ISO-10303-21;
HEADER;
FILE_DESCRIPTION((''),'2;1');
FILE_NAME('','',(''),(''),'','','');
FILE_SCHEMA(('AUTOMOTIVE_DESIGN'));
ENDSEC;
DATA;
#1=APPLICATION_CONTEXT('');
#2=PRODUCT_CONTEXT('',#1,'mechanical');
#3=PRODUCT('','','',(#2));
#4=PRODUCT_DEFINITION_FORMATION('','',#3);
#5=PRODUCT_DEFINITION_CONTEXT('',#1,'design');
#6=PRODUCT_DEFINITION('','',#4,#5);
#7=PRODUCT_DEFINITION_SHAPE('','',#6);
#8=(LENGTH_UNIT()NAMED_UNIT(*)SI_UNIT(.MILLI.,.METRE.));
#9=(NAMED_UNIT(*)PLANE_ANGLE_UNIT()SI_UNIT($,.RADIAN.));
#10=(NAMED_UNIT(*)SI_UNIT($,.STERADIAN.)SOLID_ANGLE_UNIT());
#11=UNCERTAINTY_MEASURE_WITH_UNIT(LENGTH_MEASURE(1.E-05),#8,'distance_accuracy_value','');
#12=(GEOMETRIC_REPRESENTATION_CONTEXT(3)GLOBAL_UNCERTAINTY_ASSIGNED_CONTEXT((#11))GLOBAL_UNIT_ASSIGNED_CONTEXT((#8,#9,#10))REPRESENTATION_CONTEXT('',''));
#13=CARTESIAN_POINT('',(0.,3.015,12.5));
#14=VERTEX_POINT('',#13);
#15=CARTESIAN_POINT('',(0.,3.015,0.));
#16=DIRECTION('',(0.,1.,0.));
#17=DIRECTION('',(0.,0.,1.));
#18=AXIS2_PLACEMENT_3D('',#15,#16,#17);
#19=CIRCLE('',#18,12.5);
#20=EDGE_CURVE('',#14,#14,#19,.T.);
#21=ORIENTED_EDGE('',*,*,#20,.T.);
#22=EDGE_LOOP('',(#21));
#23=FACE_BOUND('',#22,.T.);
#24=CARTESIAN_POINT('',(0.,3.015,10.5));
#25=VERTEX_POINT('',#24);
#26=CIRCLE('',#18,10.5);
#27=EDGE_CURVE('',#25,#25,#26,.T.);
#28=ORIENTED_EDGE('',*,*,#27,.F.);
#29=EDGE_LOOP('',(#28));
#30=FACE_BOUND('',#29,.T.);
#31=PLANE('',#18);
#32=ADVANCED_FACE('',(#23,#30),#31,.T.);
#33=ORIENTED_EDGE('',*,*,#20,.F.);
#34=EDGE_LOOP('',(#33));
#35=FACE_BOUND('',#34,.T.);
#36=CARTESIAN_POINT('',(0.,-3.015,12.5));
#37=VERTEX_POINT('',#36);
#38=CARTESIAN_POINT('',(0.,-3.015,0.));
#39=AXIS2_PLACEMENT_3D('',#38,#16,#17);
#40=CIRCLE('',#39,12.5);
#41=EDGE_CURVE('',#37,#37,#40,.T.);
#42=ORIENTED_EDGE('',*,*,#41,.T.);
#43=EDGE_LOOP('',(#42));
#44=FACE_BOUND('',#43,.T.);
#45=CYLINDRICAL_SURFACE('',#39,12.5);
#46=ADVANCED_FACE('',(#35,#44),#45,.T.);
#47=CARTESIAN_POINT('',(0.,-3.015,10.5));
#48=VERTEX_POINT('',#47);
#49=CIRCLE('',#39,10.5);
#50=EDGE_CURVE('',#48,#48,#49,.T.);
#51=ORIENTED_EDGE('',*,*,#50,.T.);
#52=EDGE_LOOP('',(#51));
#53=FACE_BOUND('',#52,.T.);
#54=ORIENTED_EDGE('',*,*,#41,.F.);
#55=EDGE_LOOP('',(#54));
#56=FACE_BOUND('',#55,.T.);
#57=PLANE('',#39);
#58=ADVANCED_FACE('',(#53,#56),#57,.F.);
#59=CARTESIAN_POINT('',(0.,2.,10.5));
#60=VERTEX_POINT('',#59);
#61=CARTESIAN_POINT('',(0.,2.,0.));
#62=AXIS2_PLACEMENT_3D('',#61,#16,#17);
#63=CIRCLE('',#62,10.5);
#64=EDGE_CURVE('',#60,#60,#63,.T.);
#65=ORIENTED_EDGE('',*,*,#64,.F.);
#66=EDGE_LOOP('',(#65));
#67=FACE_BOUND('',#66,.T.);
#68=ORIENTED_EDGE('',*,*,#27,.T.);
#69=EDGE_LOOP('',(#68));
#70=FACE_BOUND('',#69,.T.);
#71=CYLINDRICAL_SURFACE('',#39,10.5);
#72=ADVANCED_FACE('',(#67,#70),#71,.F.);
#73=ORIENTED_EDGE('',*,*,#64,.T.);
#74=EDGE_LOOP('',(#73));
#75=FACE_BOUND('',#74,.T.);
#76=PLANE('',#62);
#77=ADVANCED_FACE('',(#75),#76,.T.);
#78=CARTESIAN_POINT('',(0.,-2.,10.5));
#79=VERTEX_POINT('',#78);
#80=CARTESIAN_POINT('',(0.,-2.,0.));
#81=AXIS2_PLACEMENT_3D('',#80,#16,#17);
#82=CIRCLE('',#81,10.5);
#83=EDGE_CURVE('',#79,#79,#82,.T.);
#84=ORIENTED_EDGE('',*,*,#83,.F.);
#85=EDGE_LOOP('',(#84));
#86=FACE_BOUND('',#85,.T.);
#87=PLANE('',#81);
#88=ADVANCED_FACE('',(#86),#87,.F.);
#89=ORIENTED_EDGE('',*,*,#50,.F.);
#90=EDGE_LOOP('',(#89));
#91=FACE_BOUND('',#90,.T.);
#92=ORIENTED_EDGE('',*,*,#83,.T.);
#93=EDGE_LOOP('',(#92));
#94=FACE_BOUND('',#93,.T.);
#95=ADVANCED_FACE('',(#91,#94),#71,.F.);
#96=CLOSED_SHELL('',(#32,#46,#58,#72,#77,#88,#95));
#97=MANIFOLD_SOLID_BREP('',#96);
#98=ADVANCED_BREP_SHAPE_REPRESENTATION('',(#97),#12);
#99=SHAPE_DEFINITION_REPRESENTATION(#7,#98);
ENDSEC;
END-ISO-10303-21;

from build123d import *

# Parameters (mm, degrees)
SKETCH1_R                = 10.5
BOSS_EXTRUDE1_DEPTH      = 2
BOSS_EXTRUDE2_START      = -2
SKETCH1_2_R              = 10.5
BOSS_EXTRUDE2_DEPTH      = 2
BOSS_EXTRUDE3_DEPTH      = 3.015
BOSS_EXTRUDE3_DEPTH_BACK = 3.015
SKETCH2_R                = 12.5
SKETCH2_R_2              = 10.5


with BuildPart() as part:
    # Sketch1 → Boss-Extrude1 (new body)
    with BuildSketch(Plane(origin=(0, 0, 0), x_dir=(1, 0, 0), z_dir=(0, 1, 0))):
        Circle(SKETCH1_R)
    extrude(amount=BOSS_EXTRUDE1_DEPTH)

    # Sketch1<2> → Boss-Extrude2 (add)
    with BuildSketch(Plane(origin=(0, 0, 0), x_dir=(1, 0, 0), z_dir=(0, 1, 0)).offset(BOSS_EXTRUDE2_START)):
        Circle(SKETCH1_2_R)
    extrude(amount=BOSS_EXTRUDE2_DEPTH)

    # Sketch2 → Boss-Extrude3 (add, two sides: drawn at the far end of the back side and taken through both)
    with BuildSketch(Plane(origin=(0, 0, 0), x_dir=(1, 0, 0), z_dir=(0, 1, 0)).offset(-BOSS_EXTRUDE3_DEPTH_BACK)):
        Circle(SKETCH2_R)
        Circle(SKETCH2_R_2, mode=Mode.SUBTRACT)
    extrude(amount=BOSS_EXTRUDE3_DEPTH + BOSS_EXTRUDE3_DEPTH_BACK)


solid = part.part
